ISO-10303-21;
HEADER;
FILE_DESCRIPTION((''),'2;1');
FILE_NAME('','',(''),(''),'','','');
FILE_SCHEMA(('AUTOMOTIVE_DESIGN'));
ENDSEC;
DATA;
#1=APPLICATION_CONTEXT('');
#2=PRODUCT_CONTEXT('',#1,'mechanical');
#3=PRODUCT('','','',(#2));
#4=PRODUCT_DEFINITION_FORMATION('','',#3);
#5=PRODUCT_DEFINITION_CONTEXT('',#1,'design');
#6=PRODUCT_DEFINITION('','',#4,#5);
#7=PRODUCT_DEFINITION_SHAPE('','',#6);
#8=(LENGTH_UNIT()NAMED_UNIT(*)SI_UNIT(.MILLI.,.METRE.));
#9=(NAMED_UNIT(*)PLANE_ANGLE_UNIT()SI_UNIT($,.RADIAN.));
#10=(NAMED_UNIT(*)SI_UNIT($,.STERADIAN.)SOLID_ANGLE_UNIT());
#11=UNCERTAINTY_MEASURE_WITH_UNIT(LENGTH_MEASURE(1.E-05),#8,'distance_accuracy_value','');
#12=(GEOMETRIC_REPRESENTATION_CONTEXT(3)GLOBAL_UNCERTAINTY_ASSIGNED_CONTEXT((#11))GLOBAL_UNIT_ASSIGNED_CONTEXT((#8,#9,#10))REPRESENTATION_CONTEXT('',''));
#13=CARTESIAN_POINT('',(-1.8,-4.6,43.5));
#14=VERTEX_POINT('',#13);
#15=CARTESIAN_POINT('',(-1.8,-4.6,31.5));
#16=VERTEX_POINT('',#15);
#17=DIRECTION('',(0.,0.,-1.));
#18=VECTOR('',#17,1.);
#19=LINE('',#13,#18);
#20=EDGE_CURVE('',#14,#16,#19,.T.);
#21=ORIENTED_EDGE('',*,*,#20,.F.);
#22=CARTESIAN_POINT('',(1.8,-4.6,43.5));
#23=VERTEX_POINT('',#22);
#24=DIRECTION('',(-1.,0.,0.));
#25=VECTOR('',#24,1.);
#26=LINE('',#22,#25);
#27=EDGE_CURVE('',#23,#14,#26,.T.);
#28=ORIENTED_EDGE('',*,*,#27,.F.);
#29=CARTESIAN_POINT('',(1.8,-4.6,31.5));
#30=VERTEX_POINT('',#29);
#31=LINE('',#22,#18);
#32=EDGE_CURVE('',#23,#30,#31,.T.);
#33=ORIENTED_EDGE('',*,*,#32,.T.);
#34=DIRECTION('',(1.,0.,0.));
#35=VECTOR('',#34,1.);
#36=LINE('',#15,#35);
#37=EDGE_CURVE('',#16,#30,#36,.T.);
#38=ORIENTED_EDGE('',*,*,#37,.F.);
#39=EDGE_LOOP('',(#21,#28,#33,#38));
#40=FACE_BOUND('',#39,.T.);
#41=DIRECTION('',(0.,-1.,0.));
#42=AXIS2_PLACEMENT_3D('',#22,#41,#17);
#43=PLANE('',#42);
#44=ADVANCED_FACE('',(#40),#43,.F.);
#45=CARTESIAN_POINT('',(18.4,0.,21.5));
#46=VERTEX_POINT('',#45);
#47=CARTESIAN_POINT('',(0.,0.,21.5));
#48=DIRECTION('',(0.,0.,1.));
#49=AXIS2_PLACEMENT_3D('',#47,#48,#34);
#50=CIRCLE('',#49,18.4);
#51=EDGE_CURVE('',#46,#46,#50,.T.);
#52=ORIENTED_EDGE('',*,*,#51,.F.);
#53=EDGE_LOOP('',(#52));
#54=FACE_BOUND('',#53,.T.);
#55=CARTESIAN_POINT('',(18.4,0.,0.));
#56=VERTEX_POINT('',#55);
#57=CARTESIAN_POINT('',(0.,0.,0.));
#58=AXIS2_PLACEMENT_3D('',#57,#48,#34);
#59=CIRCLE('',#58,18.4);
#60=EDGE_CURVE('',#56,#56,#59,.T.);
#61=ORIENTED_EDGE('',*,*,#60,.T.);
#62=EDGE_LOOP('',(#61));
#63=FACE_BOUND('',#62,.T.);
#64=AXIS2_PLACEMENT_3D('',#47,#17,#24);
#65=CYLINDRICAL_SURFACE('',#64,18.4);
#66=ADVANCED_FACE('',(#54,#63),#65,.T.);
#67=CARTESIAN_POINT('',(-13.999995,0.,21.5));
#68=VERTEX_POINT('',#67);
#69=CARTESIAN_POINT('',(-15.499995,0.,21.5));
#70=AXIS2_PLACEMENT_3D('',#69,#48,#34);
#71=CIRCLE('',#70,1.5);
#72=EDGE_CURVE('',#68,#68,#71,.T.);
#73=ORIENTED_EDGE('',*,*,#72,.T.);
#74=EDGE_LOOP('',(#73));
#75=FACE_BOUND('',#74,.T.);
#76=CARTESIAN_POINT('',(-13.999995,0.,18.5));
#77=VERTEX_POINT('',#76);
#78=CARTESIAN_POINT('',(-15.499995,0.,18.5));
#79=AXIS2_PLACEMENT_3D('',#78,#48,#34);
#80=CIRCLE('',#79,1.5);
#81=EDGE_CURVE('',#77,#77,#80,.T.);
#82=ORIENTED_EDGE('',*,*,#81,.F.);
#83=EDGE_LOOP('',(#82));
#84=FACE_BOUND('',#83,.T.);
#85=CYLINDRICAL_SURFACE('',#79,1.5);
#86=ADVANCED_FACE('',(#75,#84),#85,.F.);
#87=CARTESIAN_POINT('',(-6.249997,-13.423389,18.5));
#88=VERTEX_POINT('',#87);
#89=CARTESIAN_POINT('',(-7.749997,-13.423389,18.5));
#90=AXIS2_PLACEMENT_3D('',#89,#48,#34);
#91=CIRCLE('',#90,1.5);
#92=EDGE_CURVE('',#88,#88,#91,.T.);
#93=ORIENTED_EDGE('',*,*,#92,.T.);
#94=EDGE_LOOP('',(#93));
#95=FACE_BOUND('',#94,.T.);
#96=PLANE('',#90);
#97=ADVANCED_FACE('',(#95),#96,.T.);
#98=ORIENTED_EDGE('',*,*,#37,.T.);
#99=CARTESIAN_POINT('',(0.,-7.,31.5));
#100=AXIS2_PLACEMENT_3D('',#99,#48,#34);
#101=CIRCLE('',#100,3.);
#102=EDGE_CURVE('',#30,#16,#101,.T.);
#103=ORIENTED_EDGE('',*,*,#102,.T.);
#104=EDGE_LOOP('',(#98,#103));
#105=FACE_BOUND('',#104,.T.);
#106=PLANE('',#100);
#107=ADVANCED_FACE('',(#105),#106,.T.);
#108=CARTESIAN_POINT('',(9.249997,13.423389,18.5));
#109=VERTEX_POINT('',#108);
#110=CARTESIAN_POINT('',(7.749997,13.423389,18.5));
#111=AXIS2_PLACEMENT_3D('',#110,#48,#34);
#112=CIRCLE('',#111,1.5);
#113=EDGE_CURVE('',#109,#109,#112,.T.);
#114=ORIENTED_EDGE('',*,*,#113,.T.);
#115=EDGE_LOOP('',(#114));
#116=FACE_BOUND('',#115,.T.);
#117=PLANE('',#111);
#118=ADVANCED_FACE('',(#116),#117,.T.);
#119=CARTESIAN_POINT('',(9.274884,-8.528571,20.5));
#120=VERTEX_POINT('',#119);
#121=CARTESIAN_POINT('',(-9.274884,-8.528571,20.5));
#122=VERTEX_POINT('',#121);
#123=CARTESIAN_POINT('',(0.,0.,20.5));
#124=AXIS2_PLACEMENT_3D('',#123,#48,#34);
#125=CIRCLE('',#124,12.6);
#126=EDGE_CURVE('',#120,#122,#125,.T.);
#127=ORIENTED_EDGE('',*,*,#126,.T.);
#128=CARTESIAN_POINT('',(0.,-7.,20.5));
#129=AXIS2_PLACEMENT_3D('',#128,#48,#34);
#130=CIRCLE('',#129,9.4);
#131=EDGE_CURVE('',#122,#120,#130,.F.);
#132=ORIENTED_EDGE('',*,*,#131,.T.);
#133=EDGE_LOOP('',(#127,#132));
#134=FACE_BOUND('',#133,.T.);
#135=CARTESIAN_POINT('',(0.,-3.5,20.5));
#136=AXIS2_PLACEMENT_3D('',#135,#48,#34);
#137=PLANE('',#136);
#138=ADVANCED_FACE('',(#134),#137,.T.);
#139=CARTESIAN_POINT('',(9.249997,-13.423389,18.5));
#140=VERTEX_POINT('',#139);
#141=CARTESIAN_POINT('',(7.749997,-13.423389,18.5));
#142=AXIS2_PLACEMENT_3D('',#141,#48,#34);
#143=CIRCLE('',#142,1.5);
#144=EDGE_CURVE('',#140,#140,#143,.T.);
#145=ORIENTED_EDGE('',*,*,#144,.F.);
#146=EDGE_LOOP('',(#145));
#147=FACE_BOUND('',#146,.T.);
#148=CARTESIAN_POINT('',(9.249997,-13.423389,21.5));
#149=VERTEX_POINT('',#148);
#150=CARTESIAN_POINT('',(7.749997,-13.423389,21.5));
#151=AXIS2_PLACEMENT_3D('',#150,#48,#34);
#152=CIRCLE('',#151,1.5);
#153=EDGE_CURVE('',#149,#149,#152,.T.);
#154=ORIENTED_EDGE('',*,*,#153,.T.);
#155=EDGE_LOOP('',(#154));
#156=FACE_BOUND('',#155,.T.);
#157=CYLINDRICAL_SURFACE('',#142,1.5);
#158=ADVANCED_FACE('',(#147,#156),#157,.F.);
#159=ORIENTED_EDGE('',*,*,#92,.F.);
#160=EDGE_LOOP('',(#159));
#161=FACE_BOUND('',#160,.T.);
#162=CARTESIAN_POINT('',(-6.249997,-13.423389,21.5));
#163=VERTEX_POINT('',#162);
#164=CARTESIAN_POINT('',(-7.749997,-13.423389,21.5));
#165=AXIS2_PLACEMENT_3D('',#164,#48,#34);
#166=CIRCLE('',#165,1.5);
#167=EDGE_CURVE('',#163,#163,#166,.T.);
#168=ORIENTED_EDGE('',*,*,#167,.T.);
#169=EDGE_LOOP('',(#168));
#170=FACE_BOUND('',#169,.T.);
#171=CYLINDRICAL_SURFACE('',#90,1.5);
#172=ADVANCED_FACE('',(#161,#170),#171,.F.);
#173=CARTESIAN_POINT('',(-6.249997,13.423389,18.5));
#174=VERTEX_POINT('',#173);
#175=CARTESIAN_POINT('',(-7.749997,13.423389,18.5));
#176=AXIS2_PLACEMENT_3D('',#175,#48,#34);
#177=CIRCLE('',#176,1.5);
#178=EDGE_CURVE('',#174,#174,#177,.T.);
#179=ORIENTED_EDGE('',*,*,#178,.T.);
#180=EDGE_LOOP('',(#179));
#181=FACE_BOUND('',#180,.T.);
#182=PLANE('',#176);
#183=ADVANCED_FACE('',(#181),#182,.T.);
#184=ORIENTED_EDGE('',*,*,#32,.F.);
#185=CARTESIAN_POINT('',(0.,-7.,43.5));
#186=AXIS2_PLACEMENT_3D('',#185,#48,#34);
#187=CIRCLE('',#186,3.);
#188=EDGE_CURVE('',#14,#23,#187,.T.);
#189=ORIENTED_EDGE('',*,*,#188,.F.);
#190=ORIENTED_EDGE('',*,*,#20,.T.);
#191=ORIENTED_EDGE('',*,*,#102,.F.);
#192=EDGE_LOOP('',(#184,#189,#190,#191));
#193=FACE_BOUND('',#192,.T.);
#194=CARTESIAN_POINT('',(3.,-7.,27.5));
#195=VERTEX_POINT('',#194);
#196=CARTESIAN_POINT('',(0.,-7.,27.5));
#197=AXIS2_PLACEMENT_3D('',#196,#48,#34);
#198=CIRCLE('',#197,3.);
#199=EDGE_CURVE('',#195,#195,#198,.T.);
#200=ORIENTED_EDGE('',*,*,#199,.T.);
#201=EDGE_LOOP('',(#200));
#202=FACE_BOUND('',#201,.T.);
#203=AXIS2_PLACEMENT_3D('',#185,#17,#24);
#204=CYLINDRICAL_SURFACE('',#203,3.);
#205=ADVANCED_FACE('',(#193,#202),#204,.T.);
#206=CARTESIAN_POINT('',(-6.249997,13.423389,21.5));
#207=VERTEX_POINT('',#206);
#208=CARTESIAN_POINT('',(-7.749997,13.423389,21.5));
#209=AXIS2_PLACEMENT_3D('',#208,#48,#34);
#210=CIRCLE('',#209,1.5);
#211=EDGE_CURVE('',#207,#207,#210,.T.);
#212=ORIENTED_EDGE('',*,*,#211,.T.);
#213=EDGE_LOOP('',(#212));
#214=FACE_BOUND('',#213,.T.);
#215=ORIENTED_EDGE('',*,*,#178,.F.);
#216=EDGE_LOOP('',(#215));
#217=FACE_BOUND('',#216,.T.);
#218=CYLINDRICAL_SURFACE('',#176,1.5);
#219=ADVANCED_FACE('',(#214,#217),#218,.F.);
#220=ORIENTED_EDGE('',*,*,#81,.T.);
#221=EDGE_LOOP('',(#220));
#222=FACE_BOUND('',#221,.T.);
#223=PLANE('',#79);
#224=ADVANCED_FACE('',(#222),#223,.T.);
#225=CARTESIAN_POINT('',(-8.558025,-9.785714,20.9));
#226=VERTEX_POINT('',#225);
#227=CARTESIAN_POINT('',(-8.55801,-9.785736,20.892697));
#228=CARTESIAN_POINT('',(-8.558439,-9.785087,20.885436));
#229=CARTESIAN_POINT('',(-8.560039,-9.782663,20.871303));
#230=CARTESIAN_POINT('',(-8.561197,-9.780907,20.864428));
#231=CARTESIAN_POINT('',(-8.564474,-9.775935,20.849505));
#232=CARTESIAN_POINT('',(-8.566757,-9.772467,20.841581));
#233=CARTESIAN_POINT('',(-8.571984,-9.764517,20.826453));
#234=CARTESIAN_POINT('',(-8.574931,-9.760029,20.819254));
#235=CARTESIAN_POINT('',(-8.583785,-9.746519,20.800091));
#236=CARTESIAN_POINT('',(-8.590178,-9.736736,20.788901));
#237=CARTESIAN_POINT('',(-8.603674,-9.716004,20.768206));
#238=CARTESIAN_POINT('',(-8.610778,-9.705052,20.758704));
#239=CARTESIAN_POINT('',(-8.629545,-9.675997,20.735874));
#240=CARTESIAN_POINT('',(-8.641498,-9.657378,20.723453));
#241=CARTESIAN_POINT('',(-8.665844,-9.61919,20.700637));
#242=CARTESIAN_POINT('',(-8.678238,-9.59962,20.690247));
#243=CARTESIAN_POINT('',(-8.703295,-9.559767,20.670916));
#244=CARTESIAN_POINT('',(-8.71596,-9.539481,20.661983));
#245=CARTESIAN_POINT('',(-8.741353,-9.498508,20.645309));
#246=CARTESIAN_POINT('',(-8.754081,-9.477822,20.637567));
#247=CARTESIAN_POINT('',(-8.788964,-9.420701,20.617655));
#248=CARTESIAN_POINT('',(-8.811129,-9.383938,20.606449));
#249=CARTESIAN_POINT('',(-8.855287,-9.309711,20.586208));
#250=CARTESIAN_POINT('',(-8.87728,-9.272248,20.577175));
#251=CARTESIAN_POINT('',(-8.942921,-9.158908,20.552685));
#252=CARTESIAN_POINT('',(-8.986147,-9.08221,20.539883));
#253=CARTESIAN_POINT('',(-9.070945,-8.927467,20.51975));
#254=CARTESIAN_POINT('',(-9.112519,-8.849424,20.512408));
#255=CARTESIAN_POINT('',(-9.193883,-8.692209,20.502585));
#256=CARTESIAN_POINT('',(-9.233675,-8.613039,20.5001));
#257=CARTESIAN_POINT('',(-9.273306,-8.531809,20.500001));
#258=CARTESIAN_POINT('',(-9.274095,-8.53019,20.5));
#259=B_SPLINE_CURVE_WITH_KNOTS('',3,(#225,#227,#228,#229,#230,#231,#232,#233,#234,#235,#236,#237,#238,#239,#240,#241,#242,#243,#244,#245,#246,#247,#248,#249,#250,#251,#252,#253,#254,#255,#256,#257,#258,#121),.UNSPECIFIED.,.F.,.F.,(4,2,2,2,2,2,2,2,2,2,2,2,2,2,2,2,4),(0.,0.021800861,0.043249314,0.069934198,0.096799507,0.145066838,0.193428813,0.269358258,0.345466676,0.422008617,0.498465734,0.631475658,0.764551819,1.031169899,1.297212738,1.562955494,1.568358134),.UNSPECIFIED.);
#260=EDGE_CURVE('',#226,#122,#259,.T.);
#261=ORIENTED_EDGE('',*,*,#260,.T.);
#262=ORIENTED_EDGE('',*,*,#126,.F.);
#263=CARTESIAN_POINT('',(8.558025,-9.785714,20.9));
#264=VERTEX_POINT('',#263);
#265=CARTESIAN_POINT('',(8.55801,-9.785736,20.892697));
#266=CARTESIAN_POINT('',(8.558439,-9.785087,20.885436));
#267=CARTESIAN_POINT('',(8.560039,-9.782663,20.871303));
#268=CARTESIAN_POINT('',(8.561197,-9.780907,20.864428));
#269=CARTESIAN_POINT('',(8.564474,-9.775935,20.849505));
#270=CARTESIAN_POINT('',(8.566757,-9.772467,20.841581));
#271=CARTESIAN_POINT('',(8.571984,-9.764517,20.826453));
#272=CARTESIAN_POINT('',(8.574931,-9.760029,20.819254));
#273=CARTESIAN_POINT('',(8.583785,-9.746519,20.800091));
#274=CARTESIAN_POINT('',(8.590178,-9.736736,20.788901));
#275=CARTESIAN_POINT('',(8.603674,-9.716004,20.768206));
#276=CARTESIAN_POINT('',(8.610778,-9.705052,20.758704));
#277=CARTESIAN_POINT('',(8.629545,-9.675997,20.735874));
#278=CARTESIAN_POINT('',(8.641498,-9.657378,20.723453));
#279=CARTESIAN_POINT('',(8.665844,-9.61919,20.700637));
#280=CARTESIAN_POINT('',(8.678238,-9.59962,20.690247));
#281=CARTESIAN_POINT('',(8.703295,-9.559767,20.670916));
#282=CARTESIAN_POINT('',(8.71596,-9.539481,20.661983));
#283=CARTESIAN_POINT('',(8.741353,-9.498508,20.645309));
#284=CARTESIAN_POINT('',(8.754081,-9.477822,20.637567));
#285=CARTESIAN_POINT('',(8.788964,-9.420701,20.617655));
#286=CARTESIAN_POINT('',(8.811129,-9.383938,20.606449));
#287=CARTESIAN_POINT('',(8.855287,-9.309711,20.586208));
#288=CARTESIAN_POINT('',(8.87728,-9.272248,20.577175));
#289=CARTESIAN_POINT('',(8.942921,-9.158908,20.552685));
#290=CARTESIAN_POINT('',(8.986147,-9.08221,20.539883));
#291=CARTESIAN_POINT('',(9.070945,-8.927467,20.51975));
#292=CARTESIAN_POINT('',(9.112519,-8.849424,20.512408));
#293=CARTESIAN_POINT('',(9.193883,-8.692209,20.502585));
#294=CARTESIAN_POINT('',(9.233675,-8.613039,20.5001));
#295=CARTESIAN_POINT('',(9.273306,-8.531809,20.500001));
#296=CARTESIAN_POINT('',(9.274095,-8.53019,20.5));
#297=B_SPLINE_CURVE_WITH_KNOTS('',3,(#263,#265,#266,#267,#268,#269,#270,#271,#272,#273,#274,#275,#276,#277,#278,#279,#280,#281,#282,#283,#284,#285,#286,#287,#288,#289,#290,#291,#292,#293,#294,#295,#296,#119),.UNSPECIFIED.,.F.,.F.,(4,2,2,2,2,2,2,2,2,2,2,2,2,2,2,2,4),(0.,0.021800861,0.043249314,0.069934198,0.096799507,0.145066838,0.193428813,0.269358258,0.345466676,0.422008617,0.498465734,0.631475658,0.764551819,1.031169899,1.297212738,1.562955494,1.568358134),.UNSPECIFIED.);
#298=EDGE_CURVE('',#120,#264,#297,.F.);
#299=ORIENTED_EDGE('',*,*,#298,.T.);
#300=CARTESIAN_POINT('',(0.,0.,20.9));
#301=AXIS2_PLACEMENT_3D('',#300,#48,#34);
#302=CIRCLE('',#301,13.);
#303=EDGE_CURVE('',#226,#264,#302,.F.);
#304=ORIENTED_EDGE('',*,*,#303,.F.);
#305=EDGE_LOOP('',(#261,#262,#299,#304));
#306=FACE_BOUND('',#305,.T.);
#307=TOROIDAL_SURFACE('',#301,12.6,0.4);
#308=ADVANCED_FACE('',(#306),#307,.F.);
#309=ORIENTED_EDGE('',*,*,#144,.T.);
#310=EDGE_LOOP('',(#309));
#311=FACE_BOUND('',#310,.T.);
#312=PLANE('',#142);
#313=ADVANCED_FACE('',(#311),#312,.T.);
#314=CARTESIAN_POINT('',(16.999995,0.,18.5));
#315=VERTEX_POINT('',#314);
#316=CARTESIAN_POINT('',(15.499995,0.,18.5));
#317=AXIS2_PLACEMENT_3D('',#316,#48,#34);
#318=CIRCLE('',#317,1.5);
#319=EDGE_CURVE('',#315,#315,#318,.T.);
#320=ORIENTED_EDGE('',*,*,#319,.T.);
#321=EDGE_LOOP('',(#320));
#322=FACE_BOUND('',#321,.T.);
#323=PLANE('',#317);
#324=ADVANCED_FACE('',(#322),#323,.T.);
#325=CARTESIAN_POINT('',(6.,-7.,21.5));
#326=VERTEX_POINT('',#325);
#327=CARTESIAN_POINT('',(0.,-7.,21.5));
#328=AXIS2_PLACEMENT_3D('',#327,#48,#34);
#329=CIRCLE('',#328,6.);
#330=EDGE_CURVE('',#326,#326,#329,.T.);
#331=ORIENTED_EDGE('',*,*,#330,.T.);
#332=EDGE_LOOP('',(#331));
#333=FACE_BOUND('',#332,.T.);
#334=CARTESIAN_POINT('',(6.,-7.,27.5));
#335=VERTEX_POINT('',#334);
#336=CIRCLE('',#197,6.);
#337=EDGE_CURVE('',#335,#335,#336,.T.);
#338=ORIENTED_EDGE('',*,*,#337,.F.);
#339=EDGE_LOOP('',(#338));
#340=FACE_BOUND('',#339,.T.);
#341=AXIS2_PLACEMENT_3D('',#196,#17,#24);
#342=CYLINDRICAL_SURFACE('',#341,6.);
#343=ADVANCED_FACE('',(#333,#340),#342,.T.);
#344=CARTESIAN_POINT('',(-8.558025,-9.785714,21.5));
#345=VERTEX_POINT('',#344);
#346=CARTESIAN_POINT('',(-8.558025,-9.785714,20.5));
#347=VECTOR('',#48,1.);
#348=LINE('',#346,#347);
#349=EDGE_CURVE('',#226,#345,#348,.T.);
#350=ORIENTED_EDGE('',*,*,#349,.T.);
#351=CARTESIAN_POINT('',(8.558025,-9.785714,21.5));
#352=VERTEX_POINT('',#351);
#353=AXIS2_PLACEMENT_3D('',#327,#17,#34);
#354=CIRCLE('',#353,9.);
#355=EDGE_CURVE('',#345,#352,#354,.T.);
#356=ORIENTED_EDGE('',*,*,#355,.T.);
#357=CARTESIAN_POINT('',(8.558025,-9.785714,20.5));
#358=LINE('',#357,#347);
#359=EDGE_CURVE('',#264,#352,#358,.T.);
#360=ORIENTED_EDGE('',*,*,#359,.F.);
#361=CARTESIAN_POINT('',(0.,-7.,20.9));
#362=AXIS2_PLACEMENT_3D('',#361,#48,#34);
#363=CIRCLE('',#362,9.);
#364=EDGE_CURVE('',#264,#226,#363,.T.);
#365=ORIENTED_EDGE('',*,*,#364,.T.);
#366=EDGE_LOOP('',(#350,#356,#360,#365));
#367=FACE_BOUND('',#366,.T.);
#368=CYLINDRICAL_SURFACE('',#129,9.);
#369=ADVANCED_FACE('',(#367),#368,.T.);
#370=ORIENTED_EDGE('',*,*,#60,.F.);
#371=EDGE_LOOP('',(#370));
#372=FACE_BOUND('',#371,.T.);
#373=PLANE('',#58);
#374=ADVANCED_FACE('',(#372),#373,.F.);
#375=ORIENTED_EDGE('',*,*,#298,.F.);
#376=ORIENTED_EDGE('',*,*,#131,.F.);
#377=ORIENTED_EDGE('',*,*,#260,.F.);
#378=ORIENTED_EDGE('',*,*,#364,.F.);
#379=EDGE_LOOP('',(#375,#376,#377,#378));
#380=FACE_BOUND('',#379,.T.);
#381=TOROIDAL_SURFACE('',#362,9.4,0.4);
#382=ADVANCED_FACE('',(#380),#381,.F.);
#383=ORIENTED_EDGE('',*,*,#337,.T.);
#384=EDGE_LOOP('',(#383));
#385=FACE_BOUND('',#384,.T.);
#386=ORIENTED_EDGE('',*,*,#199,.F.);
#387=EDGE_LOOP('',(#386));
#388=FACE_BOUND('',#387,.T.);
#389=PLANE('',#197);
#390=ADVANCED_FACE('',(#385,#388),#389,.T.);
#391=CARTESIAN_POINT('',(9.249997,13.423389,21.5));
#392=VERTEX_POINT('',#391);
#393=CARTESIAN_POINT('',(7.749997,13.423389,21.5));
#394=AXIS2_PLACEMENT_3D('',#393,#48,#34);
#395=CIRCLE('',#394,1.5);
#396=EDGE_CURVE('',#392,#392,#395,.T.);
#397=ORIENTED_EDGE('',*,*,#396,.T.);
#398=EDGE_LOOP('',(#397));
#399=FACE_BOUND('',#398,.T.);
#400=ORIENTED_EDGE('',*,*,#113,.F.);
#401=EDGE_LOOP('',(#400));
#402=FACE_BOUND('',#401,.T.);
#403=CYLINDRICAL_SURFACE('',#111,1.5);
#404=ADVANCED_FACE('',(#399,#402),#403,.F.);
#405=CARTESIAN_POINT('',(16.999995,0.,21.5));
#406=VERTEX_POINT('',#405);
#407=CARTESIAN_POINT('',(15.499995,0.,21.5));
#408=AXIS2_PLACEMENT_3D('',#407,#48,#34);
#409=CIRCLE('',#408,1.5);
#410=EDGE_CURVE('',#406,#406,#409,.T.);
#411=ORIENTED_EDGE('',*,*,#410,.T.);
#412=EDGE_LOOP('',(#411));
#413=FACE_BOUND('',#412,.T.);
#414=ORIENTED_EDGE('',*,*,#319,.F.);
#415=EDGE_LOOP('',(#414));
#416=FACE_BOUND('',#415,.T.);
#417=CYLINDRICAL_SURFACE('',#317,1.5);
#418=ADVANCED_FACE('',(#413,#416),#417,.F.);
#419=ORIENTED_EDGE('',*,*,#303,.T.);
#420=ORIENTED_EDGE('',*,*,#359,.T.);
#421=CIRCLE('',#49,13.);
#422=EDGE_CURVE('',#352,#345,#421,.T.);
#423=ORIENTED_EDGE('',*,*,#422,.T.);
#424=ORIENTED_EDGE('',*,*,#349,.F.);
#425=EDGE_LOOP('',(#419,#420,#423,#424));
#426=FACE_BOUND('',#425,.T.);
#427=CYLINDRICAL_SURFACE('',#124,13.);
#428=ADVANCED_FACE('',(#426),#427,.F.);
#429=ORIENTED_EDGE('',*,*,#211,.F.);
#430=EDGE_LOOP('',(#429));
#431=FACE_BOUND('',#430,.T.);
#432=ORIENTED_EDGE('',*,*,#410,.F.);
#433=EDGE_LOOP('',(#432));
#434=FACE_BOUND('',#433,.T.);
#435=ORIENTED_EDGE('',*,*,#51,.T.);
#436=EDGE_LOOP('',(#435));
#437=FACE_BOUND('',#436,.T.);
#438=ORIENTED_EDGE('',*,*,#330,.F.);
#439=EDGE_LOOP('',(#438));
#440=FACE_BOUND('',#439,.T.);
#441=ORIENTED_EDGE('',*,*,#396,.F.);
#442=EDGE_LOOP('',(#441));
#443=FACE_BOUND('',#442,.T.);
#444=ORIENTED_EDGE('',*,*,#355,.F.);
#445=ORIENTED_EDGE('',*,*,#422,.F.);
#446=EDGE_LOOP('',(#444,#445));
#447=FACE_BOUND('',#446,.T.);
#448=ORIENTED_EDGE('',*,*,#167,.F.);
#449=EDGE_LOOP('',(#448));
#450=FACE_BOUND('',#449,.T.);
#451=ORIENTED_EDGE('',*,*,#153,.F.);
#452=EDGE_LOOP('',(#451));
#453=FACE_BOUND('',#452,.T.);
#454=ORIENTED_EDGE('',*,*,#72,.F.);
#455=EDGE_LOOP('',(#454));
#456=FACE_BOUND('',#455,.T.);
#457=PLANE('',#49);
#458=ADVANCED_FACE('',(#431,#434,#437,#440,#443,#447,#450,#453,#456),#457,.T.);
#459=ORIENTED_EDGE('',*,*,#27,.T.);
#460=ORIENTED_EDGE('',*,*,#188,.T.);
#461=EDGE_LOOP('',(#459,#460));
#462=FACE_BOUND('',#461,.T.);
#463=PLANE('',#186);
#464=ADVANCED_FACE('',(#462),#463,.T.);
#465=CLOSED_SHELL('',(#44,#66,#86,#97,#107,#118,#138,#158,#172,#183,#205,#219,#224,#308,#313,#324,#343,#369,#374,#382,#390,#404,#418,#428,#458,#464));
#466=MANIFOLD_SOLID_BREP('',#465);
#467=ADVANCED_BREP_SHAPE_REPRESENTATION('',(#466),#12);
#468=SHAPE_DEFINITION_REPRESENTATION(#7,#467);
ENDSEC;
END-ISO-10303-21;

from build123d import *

# Parameters (mm, degrees)
CROQUIS1_R              = 18.4
SALIENTE_EXTRUIR1_DEPTH = 21.5
CROQUIS3_R              = 6
SALIENTE_EXTRUIR2_DEPTH = 6
SALIENTE_EXTRUIR3_DEPTH = 16
SALIENTE_EXTRUIR4_DEPTH = 4
CORTAR_EXTRUIR1_DEPTH   = 1
REDONDEO4_R             = 0.4
CROQUIS7_R              = 1.5
CORTAR_EXTRUIR2_DEPTH   = 3


with BuildPart() as part:
    # Croquis1 → Saliente-Extruir1 (new body)
    with BuildSketch(Plane.XY):
        Circle(CROQUIS1_R)
    extrude(amount=SALIENTE_EXTRUIR1_DEPTH)

    # Croquis3 → Saliente-Extruir2 (add)
    with BuildSketch(Plane.XY.offset(21.5)):
        with Locations((0, -7)):
            Circle(CROQUIS3_R)
    extrude(amount=SALIENTE_EXTRUIR2_DEPTH)

    # Croquis4 → Saliente-Extruir3 (add)
    with BuildSketch(Plane.XY.offset(27.5)):
        with BuildLine():
            Line((1.8, -4.6), (-1.8, -4.6))
            ThreePointArc((-1.8, -4.6), (0, -10), (1.8, -4.6))
        make_face()
    extrude(amount=SALIENTE_EXTRUIR3_DEPTH)

    # Croquis5 → Saliente-Extruir4 (add)
    with BuildSketch(Plane.XY.offset(27.5)):
        with BuildLine():
            Line((-1.8, -4.6), (1.8, -4.6))
            ThreePointArc((1.8, -4.6), (0, -4), (-1.8, -4.6))
        make_face()
    extrude(amount=SALIENTE_EXTRUIR4_DEPTH)

    # Croquis6 → Cortar-Extruir1 (cut)
    with BuildSketch(Plane.XY.offset(21.5)):
        with BuildLine():
            ThreePointArc((8.558025235, -9.785714286), (0, 13), (-8.558025235, -9.785714286))
            ThreePointArc((-8.558025235, -9.785714286), (0, 2), (8.558025235, -9.785714286))
        make_face()
    extrude(amount=-CORTAR_EXTRUIR1_DEPTH, mode=Mode.SUBTRACT)

    # Redondeo4
    redondeo4_edges = [part.edges().sort_by_distance(p)[0] for p in [
        (0, 2, 20.5),
        (0, 13, 20.5),
    ]]
    fillet(redondeo4_edges, radius=REDONDEO4_R)

    # Croquis7 → Cortar-Extruir2 (cut)
    with BuildSketch(Plane.XY.offset(21.5)):
        with Locations((-15.4999946, 0)):
            Circle(CROQUIS7_R)
        with Locations((-7.7499973, 13.423389082)):
            Circle(CROQUIS7_R)
        with Locations((7.7499973, 13.423389082)):
            Circle(CROQUIS7_R)
        with Locations((15.4999946, 0)):
            Circle(CROQUIS7_R)
        with Locations((7.7499973, -13.423389082)):
            Circle(CROQUIS7_R)
        with Locations((-7.7499973, -13.423389082)):
            Circle(CROQUIS7_R)
    extrude(amount=-CORTAR_EXTRUIR2_DEPTH, mode=Mode.SUBTRACT)


solid = part.part
